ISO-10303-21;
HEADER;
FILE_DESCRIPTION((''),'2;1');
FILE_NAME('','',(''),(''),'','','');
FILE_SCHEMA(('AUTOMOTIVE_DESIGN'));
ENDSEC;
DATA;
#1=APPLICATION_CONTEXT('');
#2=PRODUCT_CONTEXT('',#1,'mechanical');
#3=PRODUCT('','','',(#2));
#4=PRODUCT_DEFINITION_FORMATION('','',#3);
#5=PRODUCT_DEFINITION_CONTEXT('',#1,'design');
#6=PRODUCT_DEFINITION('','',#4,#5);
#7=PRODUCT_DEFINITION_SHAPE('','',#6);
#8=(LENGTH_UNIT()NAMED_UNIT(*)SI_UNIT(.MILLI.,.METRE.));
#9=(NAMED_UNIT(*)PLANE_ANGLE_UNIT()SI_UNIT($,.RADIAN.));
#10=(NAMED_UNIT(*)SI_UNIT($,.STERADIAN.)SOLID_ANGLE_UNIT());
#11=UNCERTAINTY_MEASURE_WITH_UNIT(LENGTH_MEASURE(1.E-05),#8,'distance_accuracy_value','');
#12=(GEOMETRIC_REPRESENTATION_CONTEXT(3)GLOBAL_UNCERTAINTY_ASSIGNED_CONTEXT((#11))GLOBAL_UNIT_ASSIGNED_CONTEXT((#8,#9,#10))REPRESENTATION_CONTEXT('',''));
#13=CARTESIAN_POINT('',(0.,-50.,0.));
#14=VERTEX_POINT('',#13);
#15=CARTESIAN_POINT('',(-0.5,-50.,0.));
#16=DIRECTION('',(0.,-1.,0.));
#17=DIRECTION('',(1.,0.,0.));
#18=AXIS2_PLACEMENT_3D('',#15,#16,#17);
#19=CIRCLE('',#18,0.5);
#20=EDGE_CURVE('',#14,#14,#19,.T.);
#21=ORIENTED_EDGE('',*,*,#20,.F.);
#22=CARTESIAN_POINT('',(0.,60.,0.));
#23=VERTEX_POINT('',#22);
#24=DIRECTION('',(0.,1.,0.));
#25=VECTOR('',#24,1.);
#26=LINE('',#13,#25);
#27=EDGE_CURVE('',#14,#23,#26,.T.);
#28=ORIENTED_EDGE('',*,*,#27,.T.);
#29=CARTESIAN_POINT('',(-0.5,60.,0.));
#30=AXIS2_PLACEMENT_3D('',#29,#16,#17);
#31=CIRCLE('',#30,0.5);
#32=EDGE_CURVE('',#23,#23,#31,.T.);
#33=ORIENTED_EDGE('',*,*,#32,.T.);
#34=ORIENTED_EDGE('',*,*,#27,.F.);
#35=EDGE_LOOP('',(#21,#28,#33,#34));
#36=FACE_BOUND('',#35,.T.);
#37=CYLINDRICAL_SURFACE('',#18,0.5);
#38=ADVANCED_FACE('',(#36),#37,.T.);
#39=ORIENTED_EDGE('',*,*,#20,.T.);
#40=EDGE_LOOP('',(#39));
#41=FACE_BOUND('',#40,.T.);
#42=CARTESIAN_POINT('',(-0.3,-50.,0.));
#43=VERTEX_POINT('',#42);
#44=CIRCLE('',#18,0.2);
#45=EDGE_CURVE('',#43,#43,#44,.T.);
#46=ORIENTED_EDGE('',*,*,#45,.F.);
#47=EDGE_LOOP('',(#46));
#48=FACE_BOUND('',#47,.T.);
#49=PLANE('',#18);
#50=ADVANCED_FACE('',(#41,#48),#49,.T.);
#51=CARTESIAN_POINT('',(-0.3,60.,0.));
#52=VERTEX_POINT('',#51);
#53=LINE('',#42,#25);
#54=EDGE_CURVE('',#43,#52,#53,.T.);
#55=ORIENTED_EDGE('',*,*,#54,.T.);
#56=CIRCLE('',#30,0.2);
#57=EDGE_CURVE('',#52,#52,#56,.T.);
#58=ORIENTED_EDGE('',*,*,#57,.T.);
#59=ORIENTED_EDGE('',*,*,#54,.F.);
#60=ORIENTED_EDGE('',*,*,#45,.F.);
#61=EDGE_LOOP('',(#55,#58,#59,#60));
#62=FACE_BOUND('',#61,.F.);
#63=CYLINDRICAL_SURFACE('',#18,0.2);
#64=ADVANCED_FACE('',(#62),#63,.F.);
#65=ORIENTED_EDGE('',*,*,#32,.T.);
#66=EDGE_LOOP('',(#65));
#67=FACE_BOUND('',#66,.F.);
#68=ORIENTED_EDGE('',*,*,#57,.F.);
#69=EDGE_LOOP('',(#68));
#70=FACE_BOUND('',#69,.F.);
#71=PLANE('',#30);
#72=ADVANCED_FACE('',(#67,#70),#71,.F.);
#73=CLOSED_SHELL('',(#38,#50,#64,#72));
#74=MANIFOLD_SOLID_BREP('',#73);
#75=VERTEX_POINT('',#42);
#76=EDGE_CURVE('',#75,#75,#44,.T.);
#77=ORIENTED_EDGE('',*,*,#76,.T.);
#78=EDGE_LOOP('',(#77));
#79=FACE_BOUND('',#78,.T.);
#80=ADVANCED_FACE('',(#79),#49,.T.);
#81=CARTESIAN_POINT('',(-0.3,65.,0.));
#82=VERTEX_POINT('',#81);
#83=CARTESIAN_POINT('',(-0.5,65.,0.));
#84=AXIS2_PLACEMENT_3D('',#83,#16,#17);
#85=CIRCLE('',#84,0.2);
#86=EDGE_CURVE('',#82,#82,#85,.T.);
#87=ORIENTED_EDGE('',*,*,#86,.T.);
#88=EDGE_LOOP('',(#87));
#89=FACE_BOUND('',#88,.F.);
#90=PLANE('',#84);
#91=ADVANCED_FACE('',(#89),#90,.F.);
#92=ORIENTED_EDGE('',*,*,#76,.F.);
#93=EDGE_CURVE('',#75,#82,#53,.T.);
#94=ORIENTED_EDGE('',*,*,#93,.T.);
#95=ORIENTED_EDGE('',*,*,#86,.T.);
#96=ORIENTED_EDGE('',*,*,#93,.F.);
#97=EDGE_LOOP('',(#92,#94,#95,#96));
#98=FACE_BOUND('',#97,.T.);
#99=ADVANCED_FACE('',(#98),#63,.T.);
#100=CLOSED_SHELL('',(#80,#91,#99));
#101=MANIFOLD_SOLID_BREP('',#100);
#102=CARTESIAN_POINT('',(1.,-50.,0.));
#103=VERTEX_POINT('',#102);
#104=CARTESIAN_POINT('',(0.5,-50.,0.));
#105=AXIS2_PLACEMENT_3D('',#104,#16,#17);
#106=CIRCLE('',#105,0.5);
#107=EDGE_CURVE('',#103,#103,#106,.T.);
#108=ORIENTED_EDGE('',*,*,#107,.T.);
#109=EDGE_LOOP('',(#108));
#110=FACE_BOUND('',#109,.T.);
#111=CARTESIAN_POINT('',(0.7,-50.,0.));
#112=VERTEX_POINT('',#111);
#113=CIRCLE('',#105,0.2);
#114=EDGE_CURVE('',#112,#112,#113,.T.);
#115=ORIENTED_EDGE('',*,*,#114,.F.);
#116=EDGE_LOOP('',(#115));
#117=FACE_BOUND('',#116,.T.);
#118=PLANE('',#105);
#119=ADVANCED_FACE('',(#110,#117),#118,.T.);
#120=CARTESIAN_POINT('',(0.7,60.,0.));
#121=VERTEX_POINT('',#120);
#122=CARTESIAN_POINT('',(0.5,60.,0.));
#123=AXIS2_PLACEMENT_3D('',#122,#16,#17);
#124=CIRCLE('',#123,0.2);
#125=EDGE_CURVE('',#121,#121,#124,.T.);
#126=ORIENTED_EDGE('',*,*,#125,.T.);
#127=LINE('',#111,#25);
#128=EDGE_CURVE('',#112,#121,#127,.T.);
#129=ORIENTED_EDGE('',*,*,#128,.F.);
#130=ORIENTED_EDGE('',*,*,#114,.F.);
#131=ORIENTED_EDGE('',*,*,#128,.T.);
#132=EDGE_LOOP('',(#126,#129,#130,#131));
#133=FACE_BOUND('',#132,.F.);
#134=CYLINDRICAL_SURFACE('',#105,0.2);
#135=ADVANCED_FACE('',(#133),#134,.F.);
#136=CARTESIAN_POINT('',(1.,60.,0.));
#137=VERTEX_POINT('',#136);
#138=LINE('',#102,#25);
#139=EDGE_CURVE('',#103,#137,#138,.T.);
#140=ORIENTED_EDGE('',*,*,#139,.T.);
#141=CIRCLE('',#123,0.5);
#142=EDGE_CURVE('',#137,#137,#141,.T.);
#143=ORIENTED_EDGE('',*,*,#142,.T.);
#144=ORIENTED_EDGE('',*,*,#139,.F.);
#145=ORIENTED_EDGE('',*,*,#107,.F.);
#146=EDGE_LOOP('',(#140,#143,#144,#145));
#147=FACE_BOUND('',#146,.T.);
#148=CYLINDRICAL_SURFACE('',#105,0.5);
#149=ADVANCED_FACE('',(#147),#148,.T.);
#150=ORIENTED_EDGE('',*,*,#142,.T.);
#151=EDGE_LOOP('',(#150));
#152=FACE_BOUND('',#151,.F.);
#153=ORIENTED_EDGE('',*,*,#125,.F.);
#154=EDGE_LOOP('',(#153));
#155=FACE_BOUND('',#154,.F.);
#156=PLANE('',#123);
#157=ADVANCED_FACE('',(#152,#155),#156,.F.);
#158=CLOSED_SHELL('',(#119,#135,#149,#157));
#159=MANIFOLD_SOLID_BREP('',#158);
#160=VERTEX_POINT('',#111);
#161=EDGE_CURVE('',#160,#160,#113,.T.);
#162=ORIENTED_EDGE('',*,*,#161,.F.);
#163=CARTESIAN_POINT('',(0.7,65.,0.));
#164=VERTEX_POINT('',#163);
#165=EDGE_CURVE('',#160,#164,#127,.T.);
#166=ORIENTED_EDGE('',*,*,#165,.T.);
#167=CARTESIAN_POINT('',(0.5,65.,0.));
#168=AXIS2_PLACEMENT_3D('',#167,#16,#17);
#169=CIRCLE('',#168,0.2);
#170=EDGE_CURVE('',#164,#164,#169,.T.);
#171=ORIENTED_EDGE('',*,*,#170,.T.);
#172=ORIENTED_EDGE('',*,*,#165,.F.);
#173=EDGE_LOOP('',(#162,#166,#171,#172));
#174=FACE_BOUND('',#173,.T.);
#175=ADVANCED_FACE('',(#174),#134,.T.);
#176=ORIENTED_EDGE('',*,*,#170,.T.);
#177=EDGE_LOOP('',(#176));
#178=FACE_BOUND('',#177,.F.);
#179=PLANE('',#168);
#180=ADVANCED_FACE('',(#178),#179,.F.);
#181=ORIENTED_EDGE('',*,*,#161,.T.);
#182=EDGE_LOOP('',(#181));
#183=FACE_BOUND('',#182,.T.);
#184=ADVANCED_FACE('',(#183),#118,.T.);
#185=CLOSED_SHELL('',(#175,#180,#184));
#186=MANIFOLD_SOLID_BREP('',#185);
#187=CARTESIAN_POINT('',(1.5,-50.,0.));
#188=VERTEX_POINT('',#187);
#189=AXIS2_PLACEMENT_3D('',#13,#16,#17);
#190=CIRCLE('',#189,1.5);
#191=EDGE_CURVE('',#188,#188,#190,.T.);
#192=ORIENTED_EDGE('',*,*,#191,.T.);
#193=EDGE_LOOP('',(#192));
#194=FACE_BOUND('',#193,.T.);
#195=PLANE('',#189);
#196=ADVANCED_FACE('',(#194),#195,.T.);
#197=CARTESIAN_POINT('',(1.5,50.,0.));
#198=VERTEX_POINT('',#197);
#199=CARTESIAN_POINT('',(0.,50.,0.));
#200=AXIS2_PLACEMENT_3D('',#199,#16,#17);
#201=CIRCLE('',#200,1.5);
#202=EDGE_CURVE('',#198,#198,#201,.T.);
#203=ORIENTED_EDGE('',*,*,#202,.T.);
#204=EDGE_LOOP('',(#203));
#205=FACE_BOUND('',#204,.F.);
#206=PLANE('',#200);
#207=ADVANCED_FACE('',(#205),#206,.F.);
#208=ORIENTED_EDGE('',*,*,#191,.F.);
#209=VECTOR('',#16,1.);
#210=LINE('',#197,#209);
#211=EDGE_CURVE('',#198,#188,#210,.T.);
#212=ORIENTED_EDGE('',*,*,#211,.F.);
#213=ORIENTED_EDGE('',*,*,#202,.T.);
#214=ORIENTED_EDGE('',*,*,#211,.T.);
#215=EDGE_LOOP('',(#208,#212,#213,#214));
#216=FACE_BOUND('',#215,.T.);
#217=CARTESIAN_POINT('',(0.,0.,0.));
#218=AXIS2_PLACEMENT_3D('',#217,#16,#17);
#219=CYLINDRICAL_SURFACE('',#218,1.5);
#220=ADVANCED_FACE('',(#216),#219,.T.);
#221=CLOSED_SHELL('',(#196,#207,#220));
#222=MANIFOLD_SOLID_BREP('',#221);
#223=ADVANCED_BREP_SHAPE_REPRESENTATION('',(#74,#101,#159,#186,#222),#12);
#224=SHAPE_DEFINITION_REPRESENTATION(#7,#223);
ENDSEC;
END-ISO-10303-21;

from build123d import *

# Parameters (mm, degrees)
F0_R     = 1.5
F1_DEPTH = 50
F2_R     = 0.2
F3_DEPTH = 110
F2_R_2   = 0.5
F4_DEPTH = 110
F5_DEPTH = 115


with BuildPart() as f1:
    # F0 (on Front) → F1 (new body, symmetric)
    with BuildSketch(Plane.XZ):
        Circle(F0_R)
    extrude(amount=F1_DEPTH, both=True)


with BuildPart() as f3:
    # F2 (on face) → F3 (new body)
    with BuildSketch(Plane.XZ.offset(50)):
        with BuildLine():
            ThreePointArc((0, 0), (0.5, -0.5), (1, 0))
            ThreePointArc((1, 0), (0.5, 0.5), (0, 0))
        make_face()
        with Locations((0.5, 0)):
            Circle(F2_R, mode=Mode.SUBTRACT)
    extrude(amount=-F3_DEPTH)


with BuildPart() as f4:
    # F2 (on face) → F4 (new body)
    with BuildSketch(Plane.XZ.offset(50)):
        with Locations((-0.5, 0)):
            Circle(F2_R_2)
        with Locations((-0.5, 0)):
            Circle(F2_R, mode=Mode.SUBTRACT)
    extrude(amount=-F4_DEPTH)


with BuildPart() as f5:
    # F2 (on face) → F5 (new body)
    with BuildSketch(Plane.XZ.offset(50)):
        with Locations((-0.5, 0)):
            Circle(F2_R)
    extrude(amount=-F5_DEPTH)


with BuildPart() as f5b:
    # F2 (on face) → F5, piece 2 (new body)
    with BuildSketch(Plane.XZ.offset(50)):
        with Locations((0.5, 0)):
            Circle(F2_R)
    extrude(amount=-F5_DEPTH)


solid = Compound([f1.part, f3.part, f4.part, f5.part, f5b.part])
